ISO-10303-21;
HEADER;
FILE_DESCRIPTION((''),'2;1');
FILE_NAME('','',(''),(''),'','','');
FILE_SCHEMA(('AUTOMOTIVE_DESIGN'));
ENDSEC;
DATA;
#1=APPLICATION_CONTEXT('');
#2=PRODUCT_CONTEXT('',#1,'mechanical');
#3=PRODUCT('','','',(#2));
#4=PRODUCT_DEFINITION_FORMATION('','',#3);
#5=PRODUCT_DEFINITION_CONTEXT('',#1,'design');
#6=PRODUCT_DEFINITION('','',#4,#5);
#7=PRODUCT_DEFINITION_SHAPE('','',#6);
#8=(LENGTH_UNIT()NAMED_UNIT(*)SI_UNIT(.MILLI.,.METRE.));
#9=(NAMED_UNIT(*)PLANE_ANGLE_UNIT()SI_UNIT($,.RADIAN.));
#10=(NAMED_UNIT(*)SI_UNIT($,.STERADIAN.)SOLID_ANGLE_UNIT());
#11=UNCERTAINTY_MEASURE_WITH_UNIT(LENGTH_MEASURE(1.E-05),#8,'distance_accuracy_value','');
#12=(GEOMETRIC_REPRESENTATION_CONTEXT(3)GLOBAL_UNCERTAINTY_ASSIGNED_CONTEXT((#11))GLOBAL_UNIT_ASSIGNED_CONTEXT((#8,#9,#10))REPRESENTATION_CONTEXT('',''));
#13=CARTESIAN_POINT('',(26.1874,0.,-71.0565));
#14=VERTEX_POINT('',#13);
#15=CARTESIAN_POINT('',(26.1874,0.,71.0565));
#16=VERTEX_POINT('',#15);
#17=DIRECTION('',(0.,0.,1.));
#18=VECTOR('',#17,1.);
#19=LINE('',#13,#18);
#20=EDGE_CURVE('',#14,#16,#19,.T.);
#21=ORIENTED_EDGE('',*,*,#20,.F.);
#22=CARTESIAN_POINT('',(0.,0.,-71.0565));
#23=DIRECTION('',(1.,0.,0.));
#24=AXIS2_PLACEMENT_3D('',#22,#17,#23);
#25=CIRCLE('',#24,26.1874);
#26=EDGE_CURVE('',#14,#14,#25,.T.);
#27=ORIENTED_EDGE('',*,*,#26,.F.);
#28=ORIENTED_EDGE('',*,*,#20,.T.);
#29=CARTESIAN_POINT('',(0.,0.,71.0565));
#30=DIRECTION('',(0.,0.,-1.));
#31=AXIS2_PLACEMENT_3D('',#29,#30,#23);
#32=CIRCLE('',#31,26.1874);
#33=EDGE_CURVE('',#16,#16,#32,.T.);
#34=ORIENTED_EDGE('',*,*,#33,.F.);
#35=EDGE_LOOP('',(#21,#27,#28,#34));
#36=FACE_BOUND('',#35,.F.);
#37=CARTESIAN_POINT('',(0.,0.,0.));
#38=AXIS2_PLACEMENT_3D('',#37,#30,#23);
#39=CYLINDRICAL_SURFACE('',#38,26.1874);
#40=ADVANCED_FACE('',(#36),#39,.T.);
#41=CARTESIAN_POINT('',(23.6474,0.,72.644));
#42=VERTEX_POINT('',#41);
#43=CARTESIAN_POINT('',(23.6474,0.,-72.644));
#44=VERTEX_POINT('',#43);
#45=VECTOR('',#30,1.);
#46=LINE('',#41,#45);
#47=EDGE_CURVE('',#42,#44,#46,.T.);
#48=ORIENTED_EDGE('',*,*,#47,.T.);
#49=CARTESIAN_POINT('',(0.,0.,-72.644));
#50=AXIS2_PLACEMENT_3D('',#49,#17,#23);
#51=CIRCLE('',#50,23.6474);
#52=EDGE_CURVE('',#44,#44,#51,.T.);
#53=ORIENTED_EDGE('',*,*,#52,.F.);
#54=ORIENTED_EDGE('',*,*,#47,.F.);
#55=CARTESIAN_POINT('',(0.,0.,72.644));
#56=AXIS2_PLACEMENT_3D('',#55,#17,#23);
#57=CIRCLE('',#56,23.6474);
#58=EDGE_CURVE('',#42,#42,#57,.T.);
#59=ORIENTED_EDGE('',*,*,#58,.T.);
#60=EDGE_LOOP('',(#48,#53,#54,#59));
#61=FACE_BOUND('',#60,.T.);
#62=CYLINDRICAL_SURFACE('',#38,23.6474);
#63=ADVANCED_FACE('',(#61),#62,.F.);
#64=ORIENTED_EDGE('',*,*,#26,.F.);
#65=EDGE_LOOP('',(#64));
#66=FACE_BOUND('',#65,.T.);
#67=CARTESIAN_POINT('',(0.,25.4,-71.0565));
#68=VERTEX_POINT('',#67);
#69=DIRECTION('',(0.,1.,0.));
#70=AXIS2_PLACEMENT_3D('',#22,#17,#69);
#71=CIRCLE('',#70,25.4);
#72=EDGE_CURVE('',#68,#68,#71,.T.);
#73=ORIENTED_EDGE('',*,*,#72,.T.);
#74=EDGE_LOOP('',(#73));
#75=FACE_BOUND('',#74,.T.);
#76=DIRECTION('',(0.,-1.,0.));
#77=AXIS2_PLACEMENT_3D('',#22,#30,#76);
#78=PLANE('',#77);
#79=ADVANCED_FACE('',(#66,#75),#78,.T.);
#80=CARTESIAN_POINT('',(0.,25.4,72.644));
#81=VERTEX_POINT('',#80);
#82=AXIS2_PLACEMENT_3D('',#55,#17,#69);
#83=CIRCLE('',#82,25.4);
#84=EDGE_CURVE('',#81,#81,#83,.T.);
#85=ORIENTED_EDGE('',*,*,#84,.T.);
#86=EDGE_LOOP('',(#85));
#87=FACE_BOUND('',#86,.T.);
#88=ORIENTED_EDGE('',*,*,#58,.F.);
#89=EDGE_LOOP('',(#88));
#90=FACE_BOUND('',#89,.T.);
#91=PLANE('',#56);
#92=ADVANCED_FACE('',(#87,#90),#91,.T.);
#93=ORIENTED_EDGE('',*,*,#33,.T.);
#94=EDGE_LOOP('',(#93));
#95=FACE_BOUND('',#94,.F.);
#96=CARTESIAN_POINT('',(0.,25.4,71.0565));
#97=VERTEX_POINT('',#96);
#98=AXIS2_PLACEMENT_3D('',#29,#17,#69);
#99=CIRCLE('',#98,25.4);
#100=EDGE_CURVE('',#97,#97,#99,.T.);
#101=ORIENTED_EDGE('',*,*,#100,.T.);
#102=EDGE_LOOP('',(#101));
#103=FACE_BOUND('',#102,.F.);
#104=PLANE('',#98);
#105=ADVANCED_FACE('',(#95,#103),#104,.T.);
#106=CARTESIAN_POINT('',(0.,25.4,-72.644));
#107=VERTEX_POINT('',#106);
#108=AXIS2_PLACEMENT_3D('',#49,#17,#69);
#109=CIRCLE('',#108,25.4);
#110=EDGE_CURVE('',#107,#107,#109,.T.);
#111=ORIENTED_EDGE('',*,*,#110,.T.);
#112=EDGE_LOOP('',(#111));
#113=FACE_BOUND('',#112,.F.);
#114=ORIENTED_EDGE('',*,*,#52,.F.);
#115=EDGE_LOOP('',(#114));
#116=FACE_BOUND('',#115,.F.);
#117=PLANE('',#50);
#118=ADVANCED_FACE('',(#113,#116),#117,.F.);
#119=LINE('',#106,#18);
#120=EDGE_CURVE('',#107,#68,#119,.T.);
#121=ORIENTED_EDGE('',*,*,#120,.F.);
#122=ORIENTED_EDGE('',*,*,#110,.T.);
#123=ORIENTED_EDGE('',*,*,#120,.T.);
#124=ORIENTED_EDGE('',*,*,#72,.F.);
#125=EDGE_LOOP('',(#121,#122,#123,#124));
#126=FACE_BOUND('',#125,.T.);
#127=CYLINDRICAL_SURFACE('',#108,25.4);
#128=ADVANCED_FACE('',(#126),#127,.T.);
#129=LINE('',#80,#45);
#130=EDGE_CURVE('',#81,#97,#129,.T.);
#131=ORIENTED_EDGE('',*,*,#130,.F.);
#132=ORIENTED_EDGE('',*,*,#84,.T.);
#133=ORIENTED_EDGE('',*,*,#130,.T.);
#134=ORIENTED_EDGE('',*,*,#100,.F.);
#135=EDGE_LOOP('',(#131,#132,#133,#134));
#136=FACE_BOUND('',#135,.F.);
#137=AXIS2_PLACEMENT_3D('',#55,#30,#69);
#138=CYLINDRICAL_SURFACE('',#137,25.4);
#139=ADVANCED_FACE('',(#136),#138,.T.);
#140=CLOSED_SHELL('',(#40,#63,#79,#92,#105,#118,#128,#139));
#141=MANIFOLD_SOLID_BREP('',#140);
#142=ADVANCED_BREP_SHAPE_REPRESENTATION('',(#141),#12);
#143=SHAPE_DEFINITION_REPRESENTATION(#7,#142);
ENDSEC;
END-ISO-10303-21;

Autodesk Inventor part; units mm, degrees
ref_plane "YZ Plane" through (0, 0, 0) normal (1, 0, 0) x (0, 1, 0)
ref_plane "XZ Plane" through (0, 0, 0) normal (0, 1, 0) x (-1, 0, 0)
ref_plane "XY Plane" through (0, 0, 0) normal (0, 0, 1) x (1, 0, 0)
sketch "Sketch1" plane through (0, 0, 0) normal (0, 0, 1) x (1, 0, 0)
  circle A0 centre (0, 0) radius 26.1874
  circle A1 centre (0, 0) radius 23.6474
  dimension "d0" = 52.3748
  dimension "d1" = 2.54
extrude "Extrusion1" add sketch "Sketch1" along normal mid plane 145.288
sketch "Sketch2" plane through (0, 0, 0) normal (1, 0, 0) x (0, 1, 0)
  line L0 (-26.1874, 72.644) -> (26.1874, 72.644) projected
  line L1 (-23.6474, 72.644) -> (23.6474, 72.644) projected
  line L2 (26.1874, 72.644) -> (25.4, 72.644)
  line L3 (25.4, 72.644) -> (25.4, 71.0565)
  line L4 (25.4, 71.0565) -> (26.1874, 71.0565)
  line L5 (26.1874, 71.0565) -> (26.1874, 72.644)
  line L6 (0, -14.5288) -> (0, 87.1728) projected
  point P0 (0, 0)
  dimension "d4" = 1.5875
  dimension "d5" = 0.7874
revolve "Revolution1" cut sketch "Sketch2" angle 360 about axis through (0, 0, -10) along (0, 0, 1)
mirror "Mirror1" about plane through (0, 0, 0) normal (0, 0, 1) of "Revolution1"
properties material "Stainless Steel"
